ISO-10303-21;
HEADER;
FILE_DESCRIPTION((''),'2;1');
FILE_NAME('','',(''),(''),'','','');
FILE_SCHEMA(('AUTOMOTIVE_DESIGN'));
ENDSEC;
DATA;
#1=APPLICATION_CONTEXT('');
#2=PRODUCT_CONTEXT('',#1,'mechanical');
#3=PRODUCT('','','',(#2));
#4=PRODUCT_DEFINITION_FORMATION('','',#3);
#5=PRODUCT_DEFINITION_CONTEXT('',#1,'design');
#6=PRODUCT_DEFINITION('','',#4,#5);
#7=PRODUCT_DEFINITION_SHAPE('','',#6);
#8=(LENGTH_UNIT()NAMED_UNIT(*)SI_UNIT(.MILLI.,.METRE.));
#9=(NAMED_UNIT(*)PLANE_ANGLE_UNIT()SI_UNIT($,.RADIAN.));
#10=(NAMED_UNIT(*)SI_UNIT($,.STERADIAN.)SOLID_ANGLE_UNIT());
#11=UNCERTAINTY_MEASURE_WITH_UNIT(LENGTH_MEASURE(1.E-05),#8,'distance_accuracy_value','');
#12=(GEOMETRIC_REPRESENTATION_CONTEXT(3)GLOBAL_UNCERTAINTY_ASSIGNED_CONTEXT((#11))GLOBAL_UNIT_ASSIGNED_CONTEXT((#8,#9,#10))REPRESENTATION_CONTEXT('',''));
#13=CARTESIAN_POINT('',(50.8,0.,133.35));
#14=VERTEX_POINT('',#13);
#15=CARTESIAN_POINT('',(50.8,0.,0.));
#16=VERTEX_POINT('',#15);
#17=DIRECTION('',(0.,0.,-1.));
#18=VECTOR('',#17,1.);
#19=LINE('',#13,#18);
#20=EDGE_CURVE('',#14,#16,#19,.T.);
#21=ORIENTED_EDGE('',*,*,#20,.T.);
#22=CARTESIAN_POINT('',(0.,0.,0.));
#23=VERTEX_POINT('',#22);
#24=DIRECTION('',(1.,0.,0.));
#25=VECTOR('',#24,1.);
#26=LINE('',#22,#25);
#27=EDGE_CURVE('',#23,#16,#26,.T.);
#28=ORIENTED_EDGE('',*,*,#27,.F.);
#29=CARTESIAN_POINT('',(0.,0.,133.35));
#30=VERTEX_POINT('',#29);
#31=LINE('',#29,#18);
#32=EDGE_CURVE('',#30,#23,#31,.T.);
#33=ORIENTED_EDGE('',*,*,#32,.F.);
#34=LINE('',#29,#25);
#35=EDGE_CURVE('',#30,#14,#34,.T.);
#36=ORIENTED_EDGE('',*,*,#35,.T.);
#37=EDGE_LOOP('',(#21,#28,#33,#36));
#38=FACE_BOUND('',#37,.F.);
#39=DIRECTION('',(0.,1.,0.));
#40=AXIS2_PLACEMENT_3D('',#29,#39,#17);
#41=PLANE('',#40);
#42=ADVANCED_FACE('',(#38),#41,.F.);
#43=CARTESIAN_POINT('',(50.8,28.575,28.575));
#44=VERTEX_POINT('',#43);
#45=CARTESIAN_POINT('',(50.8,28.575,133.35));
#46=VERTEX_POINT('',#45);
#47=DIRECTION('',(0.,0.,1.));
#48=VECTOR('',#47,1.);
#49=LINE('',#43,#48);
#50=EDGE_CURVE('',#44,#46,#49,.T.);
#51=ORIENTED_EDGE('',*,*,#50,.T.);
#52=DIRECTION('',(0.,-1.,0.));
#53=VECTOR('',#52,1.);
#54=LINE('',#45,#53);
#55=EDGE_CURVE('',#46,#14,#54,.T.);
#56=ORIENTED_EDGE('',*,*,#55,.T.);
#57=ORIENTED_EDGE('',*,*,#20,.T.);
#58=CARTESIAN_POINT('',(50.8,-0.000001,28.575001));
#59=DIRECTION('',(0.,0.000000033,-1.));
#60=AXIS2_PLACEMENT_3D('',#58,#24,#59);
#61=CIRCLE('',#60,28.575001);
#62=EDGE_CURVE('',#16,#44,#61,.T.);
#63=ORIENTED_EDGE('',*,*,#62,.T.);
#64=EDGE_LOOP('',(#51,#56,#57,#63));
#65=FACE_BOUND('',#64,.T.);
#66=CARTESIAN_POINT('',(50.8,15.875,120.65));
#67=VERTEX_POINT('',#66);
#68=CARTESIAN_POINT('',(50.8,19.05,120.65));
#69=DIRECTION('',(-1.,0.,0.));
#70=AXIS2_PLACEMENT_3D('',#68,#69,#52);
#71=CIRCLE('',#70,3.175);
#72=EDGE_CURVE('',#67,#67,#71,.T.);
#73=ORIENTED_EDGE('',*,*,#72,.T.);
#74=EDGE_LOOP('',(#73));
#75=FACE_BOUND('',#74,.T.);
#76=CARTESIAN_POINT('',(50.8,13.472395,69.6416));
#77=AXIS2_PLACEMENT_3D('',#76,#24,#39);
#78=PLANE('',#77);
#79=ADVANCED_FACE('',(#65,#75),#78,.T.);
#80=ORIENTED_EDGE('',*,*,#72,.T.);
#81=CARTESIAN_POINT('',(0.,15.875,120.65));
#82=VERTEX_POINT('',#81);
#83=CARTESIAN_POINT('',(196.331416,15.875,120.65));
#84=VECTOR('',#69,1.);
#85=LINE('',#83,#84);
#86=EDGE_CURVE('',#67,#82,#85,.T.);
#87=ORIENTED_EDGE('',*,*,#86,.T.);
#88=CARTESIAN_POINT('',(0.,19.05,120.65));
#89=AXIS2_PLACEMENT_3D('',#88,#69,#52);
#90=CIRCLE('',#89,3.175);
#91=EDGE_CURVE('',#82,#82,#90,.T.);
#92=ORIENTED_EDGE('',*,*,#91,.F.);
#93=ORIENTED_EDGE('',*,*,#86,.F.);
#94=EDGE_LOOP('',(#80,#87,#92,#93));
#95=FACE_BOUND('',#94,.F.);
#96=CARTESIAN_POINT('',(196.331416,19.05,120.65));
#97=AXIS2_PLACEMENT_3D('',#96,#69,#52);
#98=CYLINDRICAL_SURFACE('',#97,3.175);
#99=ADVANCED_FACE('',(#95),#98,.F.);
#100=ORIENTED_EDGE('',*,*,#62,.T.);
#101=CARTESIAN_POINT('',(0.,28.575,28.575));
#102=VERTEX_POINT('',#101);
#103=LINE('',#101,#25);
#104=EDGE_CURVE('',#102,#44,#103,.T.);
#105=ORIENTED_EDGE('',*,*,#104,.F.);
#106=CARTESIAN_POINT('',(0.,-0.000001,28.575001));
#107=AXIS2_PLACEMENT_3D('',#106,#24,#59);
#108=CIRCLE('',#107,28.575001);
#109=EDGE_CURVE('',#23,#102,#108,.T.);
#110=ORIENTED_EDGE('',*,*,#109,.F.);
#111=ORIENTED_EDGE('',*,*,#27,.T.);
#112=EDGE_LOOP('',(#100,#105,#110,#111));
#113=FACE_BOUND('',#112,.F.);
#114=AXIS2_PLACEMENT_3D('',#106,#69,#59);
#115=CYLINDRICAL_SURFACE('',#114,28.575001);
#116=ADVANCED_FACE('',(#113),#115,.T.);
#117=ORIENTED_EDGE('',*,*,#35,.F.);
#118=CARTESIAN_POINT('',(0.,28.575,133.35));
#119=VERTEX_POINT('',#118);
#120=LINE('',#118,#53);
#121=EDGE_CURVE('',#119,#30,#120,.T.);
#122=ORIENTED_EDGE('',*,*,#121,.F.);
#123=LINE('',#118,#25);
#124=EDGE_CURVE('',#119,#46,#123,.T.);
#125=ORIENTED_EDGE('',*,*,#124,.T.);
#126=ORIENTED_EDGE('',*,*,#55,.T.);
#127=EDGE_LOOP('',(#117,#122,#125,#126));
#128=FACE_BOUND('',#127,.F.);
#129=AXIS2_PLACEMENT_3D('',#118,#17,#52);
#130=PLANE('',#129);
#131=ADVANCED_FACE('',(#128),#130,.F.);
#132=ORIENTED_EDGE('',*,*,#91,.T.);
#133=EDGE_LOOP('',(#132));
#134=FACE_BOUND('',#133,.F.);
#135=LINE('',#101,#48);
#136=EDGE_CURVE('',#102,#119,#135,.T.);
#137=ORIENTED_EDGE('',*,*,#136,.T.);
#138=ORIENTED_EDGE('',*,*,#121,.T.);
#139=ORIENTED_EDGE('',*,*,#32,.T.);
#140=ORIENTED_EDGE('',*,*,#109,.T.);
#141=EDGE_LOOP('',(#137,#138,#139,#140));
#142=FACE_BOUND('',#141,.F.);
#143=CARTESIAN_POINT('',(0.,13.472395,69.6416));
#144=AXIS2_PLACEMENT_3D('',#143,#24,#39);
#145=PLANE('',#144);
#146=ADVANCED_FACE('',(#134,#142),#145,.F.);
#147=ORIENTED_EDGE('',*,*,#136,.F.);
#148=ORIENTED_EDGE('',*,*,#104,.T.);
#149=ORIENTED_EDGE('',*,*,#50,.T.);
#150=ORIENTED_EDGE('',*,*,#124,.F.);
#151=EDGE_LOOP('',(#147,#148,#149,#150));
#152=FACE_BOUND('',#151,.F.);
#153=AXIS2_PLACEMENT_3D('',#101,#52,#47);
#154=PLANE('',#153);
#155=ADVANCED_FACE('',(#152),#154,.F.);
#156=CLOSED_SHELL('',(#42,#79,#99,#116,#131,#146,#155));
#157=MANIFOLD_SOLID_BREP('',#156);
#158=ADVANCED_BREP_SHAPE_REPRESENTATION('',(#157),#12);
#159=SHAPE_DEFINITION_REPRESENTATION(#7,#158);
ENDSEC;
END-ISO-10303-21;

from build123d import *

# Parameters (mm, degrees)
F1_DEPTH = 50.8
F3_D     = 6.35


with BuildPart() as f1:
    # F0 (on Right) → F1 (new body)
    with BuildSketch(Plane.YZ):
        with BuildLine():
            Line((0, 133.35), (0, 0))
            ThreePointArc((0, 0), (20.205576, 8.369424), (28.575, 28.575))
            Line((28.575, 28.575), (28.575, 133.35))
            Line((28.575, 133.35), (0, 133.35))
        make_face()
    extrude(amount=F1_DEPTH)

    # F3 (through all)
    with Locations(Plane.YZ.offset(50.8)):
        with Locations((19.05, 120.65)):
            Hole(F3_D / 2)


solid = f1.part
